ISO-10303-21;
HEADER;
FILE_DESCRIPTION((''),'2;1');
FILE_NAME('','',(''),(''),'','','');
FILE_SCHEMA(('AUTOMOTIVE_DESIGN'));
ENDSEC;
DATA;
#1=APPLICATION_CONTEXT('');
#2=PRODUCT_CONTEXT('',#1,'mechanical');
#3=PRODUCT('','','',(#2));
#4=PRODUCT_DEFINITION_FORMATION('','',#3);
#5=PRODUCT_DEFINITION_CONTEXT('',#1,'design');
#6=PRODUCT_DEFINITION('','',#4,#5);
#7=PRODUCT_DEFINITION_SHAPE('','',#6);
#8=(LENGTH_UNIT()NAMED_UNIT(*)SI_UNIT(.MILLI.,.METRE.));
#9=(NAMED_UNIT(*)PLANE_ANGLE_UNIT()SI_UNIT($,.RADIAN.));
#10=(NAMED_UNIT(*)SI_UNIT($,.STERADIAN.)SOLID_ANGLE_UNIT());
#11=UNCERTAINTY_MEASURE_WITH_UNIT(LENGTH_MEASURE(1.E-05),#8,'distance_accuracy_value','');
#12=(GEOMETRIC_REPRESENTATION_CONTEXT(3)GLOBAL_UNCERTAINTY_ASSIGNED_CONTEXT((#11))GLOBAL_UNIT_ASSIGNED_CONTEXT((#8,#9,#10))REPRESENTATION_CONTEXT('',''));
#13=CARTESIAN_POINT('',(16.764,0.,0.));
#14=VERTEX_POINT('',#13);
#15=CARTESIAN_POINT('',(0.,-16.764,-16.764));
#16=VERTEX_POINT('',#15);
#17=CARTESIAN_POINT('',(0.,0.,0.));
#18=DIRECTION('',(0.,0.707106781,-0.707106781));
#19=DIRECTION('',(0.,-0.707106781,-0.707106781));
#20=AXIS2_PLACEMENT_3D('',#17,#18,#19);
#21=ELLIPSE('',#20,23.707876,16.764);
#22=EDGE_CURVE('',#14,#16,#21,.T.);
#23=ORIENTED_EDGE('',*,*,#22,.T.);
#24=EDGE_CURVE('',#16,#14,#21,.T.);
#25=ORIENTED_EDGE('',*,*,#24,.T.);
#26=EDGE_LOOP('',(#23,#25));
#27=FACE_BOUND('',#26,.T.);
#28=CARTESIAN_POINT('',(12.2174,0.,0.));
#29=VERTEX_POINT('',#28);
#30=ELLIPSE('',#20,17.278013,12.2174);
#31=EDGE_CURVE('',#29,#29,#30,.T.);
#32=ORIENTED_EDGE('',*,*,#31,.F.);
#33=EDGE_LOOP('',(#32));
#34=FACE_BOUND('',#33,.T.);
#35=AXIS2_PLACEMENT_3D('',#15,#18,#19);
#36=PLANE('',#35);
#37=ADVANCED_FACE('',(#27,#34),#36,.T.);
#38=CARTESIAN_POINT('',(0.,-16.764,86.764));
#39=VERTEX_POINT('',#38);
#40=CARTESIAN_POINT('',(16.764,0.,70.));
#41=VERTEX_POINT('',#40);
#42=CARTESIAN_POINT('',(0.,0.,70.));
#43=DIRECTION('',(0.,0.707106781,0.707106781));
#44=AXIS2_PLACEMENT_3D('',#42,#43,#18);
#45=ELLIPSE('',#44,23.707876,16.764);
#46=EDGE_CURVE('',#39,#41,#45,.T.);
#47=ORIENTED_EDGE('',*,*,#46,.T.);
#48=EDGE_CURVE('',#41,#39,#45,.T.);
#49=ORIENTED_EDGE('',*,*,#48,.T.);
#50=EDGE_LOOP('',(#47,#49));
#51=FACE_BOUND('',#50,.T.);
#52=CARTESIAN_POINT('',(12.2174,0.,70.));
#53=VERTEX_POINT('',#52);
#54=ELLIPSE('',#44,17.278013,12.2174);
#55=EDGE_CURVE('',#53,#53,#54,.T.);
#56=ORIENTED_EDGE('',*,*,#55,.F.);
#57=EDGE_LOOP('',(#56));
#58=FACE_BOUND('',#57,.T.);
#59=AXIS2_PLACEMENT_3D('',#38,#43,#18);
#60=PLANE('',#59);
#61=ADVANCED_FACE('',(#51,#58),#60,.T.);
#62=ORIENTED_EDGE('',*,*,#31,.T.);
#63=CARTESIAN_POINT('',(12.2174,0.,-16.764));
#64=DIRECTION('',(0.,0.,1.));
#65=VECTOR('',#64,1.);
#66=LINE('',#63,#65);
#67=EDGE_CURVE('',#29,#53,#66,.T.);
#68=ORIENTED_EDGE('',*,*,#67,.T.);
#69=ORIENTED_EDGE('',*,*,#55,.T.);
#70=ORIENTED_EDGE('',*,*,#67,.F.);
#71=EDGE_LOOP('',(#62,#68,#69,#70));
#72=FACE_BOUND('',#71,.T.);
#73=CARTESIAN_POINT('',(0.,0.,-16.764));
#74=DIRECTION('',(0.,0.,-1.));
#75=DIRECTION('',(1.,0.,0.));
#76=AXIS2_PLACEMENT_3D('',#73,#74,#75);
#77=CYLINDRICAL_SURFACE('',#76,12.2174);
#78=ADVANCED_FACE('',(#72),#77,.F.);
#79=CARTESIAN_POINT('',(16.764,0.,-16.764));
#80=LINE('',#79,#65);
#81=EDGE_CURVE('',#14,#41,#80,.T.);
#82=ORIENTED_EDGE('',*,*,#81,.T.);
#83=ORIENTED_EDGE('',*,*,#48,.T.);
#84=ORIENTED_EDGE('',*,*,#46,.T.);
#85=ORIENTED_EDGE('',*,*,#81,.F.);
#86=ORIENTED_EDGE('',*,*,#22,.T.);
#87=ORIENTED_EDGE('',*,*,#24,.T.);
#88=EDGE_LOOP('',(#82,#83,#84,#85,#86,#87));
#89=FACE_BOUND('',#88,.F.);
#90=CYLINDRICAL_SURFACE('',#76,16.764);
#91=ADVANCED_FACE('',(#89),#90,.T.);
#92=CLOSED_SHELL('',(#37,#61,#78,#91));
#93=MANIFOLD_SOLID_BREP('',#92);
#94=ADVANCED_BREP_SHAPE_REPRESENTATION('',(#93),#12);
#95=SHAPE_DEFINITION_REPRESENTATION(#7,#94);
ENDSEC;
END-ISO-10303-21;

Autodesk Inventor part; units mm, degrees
ref_plane "Start Plane" through (0, 0, -16.764) normal (0, 0, 1) x (1, 0, 0)
ref_plane "End Plane" through (0, 0, 86.764) normal (0, 0, 1) x (1, 0, 0)
sketch "Sketch" plane through (0, 0, 0) normal (0, 0, 1) x (1, 0, 0)
  circle A0 centre (0, 0) radius 12.2174
  circle A1 centre (0, 0) radius 16.764
  dimension "d0" = 33.528
  dimension "d1" = 4.5466
extrude "Body" add sketch "Sketch" along normal up to surface (103.528 mm away) from surface at -16.764
sketch "Sketch3" plane through (0, 0, 0) normal (0, 0, 1) x (1, 0, 0)
  line L0 (0, 0) -> (10, 0)
ref_plane "Work Plane3" through (0, 0, 0) normal (0, -1, 0) x (1, 0, 0)
ref_plane "Work Plane4" through (0, -16.764, -16.764) normal (0, 0.7071, -0.7071) x (1, 0, 0)
split "Split1" plane through (0, -16.764, -16.764) removes the side toward (0, 0.7071, -0.7071)
ref_plane "Work Plane5" through (0, -16.764, 86.764) normal (0, 0.7071, 0.7071) x (1, 0, 0)
split "Split2" plane through (0, -16.764, 86.764) removes the side toward (0, 0.7071, 0.7071)
sketch "Sketch4" plane through (0, 0, 0) normal (0, -1, 0) x (1, 0, 0)
  line L0 (-2, -16.764) -> (12, -16.764) projected
  line L1 (-2, 86.764) -> (12, 86.764) projected
  dimension "d7" = 103.528
equation "\"d0\" = G_H"
equation "\"d1\" = G_T"
equation "\"d2\" = G_L"
equation "\"G_H\" = 33.528"
equation "\"G_T\" = 4.5466"
equation "\"G_L\" = d7"
equation "\"G_OFFSET_START\" = 16.764"
equation "\"G_OFFSET_END\" = 16.764"
equation "\"d4\" = -G_OFFSET_START"
equation "\"d5\" = G_OFFSET_END + B_L"
equation "\"B_L\" = 70"
properties part number "ANSI - 1 x 0.179 - 4.076" material "Steel, Mild"
